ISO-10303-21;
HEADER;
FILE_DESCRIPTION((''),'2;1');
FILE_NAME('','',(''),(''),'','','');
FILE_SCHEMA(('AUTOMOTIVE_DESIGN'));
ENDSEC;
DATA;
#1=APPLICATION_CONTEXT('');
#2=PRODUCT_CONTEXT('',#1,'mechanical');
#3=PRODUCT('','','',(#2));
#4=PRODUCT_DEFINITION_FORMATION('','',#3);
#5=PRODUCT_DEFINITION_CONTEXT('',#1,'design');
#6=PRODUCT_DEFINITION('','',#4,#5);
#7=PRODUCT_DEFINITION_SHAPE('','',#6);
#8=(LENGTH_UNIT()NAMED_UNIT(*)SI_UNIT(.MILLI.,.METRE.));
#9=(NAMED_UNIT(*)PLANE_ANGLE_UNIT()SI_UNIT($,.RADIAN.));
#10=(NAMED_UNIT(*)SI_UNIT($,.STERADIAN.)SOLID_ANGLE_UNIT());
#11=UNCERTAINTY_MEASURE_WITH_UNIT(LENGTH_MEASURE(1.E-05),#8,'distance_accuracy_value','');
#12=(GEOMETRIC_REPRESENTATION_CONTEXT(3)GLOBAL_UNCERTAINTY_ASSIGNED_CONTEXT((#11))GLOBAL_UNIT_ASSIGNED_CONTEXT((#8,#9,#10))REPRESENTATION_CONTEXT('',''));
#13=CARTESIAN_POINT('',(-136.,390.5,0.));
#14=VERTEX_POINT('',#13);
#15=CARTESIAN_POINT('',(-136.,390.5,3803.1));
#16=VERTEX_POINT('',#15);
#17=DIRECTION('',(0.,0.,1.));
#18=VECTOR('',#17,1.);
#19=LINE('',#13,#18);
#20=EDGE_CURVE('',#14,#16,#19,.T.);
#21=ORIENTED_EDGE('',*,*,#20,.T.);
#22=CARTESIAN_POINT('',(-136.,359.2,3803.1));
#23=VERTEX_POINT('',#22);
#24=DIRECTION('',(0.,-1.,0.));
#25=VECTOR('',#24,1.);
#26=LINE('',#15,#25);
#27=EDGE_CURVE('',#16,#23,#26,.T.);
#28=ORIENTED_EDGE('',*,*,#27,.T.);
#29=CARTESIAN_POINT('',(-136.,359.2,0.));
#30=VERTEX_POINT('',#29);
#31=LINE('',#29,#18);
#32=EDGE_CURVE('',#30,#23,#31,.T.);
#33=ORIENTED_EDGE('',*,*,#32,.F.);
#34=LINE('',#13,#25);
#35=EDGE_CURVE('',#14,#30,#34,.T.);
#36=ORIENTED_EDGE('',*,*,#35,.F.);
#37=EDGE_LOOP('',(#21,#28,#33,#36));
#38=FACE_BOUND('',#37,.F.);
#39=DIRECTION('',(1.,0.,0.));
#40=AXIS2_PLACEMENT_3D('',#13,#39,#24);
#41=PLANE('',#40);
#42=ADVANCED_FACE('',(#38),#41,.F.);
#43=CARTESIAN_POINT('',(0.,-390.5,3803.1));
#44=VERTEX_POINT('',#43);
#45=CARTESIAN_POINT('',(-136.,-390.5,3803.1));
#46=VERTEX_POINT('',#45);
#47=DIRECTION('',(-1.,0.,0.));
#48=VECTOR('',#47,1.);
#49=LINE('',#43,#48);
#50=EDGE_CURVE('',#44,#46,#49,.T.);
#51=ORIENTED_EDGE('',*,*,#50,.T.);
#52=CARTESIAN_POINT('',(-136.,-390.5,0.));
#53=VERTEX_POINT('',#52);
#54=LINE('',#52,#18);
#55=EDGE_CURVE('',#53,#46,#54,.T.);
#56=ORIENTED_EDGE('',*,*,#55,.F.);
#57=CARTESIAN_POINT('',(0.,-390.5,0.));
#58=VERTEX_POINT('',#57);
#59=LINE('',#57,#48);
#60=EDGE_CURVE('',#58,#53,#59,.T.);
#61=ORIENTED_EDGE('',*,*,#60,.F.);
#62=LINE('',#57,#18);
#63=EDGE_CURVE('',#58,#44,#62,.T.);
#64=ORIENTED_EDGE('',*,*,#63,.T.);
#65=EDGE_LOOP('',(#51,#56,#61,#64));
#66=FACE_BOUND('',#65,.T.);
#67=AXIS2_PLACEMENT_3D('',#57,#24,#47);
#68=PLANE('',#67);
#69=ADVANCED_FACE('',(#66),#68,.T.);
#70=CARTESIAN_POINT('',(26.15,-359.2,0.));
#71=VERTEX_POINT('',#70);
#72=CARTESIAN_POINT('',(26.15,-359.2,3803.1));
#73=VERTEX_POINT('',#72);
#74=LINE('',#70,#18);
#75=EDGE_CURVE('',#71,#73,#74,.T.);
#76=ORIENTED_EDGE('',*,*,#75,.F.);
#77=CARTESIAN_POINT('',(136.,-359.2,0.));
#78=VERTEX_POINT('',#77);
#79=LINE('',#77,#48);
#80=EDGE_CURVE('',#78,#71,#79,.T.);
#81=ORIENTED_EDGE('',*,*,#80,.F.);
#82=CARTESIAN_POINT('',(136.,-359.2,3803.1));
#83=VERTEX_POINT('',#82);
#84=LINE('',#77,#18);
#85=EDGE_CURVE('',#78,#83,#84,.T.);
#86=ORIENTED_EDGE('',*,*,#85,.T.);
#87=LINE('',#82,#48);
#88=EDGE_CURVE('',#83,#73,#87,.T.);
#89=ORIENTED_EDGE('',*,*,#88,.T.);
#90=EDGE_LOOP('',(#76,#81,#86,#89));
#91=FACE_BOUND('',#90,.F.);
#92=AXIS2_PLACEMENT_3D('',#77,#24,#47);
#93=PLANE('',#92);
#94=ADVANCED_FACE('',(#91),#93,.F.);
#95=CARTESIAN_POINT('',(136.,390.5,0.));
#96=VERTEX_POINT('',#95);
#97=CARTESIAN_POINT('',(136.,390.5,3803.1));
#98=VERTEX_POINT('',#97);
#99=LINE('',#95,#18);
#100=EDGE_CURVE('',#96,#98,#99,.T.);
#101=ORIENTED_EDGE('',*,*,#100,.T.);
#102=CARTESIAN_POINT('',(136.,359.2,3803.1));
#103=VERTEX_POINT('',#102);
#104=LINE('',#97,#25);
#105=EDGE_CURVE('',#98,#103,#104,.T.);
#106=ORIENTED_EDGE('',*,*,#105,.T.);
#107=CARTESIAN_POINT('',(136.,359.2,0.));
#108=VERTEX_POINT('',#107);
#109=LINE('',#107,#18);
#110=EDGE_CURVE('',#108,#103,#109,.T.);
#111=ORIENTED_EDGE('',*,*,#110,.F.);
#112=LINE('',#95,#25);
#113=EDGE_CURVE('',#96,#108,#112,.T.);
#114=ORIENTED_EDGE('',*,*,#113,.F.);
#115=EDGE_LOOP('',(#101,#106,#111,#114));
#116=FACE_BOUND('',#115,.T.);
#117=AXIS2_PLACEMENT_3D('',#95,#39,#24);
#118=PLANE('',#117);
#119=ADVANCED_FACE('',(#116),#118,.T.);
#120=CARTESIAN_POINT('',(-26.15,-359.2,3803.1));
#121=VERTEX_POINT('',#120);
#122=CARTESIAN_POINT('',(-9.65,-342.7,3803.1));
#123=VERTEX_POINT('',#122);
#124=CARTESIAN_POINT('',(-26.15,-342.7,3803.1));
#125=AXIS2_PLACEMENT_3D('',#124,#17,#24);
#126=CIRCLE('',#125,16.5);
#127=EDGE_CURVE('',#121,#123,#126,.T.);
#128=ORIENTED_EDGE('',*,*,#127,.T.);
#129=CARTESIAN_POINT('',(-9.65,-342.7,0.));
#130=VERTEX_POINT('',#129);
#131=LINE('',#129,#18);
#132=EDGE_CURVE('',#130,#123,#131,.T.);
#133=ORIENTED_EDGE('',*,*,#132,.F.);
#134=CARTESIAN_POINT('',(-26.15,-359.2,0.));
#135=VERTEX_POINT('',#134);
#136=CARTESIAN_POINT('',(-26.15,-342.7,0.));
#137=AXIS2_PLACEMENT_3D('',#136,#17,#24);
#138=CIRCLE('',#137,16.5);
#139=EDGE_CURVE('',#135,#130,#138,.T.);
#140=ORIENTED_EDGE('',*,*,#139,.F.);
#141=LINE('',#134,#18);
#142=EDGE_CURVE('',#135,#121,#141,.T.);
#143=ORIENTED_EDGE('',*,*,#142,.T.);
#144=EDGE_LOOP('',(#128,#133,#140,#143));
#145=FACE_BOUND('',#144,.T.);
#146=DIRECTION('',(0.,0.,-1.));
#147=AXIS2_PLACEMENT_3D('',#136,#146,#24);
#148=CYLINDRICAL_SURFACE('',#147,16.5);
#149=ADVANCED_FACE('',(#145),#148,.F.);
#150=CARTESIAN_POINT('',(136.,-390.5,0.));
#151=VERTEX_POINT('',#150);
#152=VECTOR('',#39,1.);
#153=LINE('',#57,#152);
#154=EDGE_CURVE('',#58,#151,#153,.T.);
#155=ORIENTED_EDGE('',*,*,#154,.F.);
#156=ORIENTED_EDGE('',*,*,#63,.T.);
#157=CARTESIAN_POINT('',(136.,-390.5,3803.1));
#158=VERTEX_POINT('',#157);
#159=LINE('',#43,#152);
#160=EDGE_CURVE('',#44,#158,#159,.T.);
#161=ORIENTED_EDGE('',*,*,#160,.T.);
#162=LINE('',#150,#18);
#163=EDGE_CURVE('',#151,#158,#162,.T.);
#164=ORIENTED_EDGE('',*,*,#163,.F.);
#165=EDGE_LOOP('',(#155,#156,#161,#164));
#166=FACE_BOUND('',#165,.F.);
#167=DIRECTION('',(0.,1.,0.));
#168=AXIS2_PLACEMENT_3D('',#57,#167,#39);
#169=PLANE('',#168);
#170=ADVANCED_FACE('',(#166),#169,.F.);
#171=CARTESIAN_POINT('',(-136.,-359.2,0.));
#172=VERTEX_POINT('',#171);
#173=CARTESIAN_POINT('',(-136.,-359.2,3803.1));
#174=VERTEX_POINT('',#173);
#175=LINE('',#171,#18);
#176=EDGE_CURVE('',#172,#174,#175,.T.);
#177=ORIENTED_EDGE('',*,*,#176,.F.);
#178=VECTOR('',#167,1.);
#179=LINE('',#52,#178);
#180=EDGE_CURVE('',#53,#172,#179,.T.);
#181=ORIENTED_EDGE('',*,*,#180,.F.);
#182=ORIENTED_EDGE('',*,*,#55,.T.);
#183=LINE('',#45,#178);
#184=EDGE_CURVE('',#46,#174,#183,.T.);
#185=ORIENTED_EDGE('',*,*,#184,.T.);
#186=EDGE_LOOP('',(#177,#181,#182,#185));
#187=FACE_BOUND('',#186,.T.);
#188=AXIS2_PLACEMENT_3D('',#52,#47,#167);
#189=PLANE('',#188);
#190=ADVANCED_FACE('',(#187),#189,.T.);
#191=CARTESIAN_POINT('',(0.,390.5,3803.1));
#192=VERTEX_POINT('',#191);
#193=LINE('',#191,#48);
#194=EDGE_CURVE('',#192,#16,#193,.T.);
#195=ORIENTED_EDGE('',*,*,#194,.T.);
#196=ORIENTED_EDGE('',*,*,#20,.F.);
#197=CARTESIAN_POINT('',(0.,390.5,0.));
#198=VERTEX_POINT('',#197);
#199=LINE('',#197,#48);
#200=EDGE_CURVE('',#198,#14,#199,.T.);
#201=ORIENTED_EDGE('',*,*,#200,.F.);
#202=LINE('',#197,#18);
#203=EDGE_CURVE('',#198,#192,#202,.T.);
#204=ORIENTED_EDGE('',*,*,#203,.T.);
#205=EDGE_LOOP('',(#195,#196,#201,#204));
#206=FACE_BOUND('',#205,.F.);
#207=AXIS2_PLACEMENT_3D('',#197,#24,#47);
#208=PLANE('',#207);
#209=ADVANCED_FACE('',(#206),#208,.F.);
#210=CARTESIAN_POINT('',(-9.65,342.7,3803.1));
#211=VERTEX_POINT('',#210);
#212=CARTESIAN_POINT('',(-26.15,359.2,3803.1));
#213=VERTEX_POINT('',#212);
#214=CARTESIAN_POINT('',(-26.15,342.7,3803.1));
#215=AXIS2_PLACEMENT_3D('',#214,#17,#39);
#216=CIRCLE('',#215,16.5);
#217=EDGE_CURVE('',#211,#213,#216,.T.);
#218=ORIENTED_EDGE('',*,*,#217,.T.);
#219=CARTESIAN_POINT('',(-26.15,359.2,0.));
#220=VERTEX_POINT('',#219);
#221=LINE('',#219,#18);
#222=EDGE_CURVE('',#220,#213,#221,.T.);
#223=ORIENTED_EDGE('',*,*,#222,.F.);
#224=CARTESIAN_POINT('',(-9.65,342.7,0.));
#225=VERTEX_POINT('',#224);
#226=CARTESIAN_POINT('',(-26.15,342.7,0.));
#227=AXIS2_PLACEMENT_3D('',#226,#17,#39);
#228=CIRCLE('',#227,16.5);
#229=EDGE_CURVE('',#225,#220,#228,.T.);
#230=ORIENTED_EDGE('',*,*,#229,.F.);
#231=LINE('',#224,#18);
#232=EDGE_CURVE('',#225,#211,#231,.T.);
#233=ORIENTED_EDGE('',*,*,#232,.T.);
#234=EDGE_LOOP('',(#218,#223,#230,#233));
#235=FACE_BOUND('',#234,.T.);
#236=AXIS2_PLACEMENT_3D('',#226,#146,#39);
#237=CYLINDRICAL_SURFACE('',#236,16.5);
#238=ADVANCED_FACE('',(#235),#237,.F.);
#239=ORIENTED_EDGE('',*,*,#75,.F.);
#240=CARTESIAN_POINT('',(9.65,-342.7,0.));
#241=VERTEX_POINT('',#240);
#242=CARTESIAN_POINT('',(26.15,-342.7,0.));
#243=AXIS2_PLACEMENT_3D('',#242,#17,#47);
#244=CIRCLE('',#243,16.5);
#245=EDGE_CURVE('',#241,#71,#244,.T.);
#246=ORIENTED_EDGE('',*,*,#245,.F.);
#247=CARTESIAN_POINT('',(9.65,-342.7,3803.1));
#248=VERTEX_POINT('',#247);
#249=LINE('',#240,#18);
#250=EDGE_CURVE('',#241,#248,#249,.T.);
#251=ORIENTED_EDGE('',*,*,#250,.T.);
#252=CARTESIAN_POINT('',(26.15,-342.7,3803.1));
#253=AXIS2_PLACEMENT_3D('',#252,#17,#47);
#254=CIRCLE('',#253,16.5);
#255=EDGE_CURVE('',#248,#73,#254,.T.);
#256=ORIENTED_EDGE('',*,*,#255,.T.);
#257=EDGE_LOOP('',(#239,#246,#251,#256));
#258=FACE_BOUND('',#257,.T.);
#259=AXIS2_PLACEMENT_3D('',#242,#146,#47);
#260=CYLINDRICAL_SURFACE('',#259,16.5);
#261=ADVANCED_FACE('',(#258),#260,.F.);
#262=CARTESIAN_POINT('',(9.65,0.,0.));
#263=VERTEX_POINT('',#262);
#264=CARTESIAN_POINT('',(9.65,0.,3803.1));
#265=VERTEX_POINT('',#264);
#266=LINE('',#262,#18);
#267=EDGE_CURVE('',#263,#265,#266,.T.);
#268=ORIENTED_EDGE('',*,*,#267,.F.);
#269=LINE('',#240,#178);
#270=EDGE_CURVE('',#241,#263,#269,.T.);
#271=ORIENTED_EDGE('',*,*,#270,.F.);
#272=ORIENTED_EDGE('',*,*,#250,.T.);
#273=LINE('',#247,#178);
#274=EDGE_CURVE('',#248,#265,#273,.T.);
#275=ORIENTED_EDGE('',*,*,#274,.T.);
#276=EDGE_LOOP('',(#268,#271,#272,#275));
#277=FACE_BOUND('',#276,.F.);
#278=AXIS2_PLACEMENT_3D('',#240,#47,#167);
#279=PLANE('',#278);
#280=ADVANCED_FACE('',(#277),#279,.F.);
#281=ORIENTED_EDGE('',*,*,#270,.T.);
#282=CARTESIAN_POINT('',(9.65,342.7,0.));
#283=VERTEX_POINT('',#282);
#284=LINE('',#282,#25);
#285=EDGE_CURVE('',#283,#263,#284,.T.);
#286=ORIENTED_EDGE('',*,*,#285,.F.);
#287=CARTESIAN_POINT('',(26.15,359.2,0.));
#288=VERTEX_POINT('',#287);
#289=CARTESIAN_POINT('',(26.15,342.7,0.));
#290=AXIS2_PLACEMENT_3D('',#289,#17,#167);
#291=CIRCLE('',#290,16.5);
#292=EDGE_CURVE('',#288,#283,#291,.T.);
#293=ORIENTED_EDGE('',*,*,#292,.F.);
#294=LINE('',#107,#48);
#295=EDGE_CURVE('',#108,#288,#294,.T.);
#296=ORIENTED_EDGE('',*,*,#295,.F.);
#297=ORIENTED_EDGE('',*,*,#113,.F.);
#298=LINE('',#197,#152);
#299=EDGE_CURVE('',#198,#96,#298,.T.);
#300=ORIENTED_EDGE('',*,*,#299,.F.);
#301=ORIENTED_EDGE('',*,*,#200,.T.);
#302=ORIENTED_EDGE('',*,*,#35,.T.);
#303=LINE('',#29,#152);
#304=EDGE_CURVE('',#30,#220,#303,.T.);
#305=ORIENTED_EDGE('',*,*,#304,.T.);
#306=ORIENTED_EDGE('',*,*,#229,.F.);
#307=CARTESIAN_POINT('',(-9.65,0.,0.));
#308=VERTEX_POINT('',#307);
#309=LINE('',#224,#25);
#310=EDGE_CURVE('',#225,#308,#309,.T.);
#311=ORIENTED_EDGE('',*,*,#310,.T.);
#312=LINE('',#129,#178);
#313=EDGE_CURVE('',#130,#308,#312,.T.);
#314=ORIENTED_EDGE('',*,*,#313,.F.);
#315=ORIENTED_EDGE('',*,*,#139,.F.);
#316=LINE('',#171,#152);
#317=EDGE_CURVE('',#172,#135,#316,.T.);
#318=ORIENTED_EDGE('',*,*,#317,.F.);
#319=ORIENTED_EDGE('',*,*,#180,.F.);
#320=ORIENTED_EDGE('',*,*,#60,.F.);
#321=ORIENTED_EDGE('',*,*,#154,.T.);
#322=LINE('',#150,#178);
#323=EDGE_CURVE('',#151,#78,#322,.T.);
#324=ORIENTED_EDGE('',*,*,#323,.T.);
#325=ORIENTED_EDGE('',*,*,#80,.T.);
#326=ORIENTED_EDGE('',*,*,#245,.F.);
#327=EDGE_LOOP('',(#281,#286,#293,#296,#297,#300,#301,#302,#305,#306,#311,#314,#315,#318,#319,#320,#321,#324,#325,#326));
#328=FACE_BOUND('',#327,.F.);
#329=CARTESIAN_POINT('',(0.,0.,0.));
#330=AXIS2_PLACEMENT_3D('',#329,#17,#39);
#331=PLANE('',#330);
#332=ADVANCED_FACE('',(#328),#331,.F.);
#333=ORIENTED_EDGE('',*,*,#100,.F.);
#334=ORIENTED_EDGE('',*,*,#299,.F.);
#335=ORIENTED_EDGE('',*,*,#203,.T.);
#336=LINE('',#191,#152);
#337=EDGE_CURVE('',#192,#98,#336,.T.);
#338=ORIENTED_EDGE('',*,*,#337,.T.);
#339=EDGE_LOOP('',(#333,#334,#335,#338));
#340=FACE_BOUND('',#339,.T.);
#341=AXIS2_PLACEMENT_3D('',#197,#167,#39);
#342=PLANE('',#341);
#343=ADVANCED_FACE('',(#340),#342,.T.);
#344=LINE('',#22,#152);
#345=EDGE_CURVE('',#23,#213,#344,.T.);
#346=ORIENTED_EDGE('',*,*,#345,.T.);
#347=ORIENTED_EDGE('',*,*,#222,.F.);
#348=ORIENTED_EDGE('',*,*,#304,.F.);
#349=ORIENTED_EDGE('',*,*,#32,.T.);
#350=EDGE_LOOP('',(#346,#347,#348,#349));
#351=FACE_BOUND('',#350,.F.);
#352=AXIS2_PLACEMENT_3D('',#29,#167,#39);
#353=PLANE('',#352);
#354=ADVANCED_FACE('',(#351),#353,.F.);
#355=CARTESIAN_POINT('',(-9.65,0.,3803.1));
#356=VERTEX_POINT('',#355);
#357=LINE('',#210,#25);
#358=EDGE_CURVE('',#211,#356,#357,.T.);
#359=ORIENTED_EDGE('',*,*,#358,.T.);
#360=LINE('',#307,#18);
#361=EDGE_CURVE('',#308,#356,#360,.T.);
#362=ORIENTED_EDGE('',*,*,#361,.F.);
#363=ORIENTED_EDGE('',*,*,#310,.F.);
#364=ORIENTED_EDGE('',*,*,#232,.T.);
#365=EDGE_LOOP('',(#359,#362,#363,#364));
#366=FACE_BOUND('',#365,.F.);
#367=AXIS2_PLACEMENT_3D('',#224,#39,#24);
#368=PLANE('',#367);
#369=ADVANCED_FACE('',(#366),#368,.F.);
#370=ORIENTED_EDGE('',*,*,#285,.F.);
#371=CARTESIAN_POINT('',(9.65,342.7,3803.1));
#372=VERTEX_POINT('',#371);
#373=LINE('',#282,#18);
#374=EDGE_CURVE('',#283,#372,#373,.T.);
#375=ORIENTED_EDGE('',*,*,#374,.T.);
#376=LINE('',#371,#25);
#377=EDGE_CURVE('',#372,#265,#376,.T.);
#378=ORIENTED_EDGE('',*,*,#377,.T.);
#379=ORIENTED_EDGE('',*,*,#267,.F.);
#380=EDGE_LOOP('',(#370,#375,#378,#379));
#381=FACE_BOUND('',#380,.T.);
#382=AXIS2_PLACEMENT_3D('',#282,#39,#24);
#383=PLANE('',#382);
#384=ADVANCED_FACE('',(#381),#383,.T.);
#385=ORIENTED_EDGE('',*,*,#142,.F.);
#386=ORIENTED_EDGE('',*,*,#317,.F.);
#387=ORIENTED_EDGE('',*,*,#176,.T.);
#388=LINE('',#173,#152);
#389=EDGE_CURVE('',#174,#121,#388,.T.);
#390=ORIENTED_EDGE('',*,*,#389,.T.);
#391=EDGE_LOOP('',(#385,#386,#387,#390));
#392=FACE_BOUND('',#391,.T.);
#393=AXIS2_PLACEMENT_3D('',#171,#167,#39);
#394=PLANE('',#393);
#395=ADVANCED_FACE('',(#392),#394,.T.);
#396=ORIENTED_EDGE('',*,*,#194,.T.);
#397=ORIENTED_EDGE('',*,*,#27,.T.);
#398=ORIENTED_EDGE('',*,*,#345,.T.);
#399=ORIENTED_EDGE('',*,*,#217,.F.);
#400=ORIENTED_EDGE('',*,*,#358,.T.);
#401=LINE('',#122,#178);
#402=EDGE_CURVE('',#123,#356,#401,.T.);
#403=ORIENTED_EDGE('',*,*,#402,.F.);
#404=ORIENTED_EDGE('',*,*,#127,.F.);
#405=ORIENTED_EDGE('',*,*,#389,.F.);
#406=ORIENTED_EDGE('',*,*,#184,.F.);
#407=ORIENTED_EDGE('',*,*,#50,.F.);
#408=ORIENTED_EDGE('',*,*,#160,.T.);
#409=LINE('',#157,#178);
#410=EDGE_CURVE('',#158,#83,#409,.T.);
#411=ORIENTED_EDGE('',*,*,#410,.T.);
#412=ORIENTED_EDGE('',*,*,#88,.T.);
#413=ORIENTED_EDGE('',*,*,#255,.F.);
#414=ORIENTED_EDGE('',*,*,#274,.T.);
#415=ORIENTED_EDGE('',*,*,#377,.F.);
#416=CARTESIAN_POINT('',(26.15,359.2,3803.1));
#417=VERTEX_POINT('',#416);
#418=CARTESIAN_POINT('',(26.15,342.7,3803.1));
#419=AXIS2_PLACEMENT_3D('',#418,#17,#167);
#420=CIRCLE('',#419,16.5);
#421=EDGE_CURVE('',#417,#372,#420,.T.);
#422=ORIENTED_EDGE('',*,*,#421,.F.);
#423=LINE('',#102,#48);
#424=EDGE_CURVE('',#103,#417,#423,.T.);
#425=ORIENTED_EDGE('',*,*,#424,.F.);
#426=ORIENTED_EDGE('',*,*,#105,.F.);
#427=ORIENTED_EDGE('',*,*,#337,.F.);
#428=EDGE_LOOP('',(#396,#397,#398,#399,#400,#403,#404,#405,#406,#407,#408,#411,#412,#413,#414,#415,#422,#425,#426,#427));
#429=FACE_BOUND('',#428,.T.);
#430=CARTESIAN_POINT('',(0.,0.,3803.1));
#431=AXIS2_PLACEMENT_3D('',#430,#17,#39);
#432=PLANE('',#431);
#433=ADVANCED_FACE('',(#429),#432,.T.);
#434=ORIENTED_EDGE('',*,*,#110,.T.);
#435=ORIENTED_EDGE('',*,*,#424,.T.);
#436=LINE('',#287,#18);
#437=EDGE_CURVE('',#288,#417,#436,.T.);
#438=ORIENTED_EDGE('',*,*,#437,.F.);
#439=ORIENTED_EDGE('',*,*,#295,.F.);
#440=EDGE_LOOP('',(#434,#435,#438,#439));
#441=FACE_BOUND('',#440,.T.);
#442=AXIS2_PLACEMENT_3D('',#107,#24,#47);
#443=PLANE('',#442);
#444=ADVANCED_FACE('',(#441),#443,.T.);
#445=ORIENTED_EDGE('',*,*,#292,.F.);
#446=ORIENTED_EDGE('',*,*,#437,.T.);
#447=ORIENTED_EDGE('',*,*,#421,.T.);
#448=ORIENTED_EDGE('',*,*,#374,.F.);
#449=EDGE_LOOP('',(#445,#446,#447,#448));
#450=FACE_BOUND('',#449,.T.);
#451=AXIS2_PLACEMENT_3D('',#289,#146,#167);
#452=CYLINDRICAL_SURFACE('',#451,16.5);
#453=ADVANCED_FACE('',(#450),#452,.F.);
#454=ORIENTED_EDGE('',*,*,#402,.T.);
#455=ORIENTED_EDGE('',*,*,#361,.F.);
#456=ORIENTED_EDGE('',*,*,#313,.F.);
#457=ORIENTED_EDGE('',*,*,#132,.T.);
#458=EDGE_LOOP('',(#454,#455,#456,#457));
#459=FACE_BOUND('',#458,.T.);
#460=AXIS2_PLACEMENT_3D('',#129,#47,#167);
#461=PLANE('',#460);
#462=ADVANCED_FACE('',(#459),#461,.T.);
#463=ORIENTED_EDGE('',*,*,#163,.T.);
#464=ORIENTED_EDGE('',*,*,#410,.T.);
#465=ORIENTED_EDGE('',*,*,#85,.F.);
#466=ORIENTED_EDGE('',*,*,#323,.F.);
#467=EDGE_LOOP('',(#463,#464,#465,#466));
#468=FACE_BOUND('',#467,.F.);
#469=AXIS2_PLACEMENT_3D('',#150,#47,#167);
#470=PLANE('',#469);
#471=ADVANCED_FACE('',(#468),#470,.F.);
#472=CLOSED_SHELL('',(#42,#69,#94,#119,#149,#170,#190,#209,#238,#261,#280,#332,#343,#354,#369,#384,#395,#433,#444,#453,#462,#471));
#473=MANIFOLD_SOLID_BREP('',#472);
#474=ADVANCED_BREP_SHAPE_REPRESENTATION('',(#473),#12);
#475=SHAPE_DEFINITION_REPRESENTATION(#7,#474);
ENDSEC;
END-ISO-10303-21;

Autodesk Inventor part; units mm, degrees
ref_plane "YZ Plane" through (0, 0, 0) normal (1, 0, 0) x (0, 1, 0)
ref_plane "Start plane" through (0, 0, 0) normal (0, 0, 1) x (1, 0, 0)
ref_plane "End plane" through (0, 0, 3803.1) normal (0, 0, 1) x (1, 0, 0)
sketch "Sketch" plane through (0, 0, 0) normal (0, 0, 1) x (1, 0, 0)
  line L0 (-136, -390.5) -> (-136, -359.2)
  line L1 (-136, -359.2) -> (-26.15, -359.2)
  line L2 (-9.65, -342.7) -> (-9.65, 0)
  line L3 (-9.65, 0) -> (0, 0) construction
  line L4 (0, 0) -> (0, -390.5) construction
  line L5 (0, -390.5) -> (-136, -390.5)
  line L6 (-60, 0) -> (80, 0) construction
  line L7 (0, -60) -> (0, 80) construction
  line L8 (136, -390.5) -> (136, -359.2)
  line L9 (136, -359.2) -> (26.15, -359.2)
  line L10 (9.65, -342.7) -> (9.65, 0)
  line L11 (9.65, 0) -> (0, 0) construction
  line L12 (0, -390.5) -> (136, -390.5)
  line L13 (-136, 390.5) -> (-136, 359.2)
  line L14 (-136, 359.2) -> (-26.15, 359.2)
  line L15 (-9.65, 342.7) -> (-9.65, 0)
  line L16 (0, 390.5) -> (-136, 390.5)
  line L17 (136, 390.5) -> (136, 359.2)
  line L18 (136, 359.2) -> (26.15, 359.2)
  line L19 (0, 390.5) -> (136, 390.5)
  line L20 (9.65, 342.7) -> (9.65, 0)
  arc A0 (-9.65, 342.7) -> (-26.15, 359.2) centre (-26.15, 342.7) ccw
  arc A1 (26.15, 359.2) -> (9.65, 342.7) centre (26.15, 342.7) ccw
  arc A2 (9.65, -342.7) -> (26.15, -359.2) centre (26.15, -342.7) ccw
  arc A3 (-26.15, -359.2) -> (-9.65, -342.7) centre (-26.15, -342.7) ccw
  line L21 (0, 108) -> (0, -88) construction
  line L22 (-88, 0) -> (108, 0) construction
  point P0 (-9.65, -359.2)
  point P1 (9.65, -359.2)
  point P2 (-9.65, 359.2)
  point P3 (9.65, 359.2)
  dimension "d1" = 390.5
  dimension "d2" = 31.3
  dimension "d3" = 136
  dimension "d4" = 9.65
  dimension "d10" = 16.5
extrude "Body" add sketch "Sketch" along normal up to surface (3803.1 mm away) from surface at 0
sketch "Sketch4" plane through (0, 0, 0) normal (0, 0, 1) x (1, 0, 0)
  line L0 (0, 0) -> (10, 0)
ref_plane "Work Plane3" through (0, 0, 0) normal (0, -1, 0) x (1, 0, 0)
sketch "Sketch5" plane through (0, 0, 0) normal (0, -1, 0) x (1, 0, 0)
  line L0 (-2, 0) -> (12, 0) projected
  line L1 (-2, 3803.1) -> (12, 3803.1) projected
  dimension "d14" = 3803.1
equation "\"d1\" = 0.5 * G_H"
equation "\"d2\" = G_T1"
equation "\"d3\" = 0.5 * G_W"
equation "\"d4\" = 0.5 * G_T"
equation "\"d10\" = G_IR"
equation "\"d5\" = G_L"
equation "\"G_W\" = 272"
equation "\"G_H\" = 781"
equation "\"G_T\" = 19.3"
equation "\"G_T1\" = 31.3"
equation "\"G_IR\" = 16.5"
equation "\"G_L\" = d14"
equation "\"G_OFFSET_START\" = 0"
equation "\"G_OFFSET_END\" = 0"
equation "\"d12\" = G_OFFSET_END + B_L"
equation "\"B_L\" = 3803.1"
properties part number "AS 3679-1990 - 760 UB - 244 - 3803.1" material "Steel, Mild"
